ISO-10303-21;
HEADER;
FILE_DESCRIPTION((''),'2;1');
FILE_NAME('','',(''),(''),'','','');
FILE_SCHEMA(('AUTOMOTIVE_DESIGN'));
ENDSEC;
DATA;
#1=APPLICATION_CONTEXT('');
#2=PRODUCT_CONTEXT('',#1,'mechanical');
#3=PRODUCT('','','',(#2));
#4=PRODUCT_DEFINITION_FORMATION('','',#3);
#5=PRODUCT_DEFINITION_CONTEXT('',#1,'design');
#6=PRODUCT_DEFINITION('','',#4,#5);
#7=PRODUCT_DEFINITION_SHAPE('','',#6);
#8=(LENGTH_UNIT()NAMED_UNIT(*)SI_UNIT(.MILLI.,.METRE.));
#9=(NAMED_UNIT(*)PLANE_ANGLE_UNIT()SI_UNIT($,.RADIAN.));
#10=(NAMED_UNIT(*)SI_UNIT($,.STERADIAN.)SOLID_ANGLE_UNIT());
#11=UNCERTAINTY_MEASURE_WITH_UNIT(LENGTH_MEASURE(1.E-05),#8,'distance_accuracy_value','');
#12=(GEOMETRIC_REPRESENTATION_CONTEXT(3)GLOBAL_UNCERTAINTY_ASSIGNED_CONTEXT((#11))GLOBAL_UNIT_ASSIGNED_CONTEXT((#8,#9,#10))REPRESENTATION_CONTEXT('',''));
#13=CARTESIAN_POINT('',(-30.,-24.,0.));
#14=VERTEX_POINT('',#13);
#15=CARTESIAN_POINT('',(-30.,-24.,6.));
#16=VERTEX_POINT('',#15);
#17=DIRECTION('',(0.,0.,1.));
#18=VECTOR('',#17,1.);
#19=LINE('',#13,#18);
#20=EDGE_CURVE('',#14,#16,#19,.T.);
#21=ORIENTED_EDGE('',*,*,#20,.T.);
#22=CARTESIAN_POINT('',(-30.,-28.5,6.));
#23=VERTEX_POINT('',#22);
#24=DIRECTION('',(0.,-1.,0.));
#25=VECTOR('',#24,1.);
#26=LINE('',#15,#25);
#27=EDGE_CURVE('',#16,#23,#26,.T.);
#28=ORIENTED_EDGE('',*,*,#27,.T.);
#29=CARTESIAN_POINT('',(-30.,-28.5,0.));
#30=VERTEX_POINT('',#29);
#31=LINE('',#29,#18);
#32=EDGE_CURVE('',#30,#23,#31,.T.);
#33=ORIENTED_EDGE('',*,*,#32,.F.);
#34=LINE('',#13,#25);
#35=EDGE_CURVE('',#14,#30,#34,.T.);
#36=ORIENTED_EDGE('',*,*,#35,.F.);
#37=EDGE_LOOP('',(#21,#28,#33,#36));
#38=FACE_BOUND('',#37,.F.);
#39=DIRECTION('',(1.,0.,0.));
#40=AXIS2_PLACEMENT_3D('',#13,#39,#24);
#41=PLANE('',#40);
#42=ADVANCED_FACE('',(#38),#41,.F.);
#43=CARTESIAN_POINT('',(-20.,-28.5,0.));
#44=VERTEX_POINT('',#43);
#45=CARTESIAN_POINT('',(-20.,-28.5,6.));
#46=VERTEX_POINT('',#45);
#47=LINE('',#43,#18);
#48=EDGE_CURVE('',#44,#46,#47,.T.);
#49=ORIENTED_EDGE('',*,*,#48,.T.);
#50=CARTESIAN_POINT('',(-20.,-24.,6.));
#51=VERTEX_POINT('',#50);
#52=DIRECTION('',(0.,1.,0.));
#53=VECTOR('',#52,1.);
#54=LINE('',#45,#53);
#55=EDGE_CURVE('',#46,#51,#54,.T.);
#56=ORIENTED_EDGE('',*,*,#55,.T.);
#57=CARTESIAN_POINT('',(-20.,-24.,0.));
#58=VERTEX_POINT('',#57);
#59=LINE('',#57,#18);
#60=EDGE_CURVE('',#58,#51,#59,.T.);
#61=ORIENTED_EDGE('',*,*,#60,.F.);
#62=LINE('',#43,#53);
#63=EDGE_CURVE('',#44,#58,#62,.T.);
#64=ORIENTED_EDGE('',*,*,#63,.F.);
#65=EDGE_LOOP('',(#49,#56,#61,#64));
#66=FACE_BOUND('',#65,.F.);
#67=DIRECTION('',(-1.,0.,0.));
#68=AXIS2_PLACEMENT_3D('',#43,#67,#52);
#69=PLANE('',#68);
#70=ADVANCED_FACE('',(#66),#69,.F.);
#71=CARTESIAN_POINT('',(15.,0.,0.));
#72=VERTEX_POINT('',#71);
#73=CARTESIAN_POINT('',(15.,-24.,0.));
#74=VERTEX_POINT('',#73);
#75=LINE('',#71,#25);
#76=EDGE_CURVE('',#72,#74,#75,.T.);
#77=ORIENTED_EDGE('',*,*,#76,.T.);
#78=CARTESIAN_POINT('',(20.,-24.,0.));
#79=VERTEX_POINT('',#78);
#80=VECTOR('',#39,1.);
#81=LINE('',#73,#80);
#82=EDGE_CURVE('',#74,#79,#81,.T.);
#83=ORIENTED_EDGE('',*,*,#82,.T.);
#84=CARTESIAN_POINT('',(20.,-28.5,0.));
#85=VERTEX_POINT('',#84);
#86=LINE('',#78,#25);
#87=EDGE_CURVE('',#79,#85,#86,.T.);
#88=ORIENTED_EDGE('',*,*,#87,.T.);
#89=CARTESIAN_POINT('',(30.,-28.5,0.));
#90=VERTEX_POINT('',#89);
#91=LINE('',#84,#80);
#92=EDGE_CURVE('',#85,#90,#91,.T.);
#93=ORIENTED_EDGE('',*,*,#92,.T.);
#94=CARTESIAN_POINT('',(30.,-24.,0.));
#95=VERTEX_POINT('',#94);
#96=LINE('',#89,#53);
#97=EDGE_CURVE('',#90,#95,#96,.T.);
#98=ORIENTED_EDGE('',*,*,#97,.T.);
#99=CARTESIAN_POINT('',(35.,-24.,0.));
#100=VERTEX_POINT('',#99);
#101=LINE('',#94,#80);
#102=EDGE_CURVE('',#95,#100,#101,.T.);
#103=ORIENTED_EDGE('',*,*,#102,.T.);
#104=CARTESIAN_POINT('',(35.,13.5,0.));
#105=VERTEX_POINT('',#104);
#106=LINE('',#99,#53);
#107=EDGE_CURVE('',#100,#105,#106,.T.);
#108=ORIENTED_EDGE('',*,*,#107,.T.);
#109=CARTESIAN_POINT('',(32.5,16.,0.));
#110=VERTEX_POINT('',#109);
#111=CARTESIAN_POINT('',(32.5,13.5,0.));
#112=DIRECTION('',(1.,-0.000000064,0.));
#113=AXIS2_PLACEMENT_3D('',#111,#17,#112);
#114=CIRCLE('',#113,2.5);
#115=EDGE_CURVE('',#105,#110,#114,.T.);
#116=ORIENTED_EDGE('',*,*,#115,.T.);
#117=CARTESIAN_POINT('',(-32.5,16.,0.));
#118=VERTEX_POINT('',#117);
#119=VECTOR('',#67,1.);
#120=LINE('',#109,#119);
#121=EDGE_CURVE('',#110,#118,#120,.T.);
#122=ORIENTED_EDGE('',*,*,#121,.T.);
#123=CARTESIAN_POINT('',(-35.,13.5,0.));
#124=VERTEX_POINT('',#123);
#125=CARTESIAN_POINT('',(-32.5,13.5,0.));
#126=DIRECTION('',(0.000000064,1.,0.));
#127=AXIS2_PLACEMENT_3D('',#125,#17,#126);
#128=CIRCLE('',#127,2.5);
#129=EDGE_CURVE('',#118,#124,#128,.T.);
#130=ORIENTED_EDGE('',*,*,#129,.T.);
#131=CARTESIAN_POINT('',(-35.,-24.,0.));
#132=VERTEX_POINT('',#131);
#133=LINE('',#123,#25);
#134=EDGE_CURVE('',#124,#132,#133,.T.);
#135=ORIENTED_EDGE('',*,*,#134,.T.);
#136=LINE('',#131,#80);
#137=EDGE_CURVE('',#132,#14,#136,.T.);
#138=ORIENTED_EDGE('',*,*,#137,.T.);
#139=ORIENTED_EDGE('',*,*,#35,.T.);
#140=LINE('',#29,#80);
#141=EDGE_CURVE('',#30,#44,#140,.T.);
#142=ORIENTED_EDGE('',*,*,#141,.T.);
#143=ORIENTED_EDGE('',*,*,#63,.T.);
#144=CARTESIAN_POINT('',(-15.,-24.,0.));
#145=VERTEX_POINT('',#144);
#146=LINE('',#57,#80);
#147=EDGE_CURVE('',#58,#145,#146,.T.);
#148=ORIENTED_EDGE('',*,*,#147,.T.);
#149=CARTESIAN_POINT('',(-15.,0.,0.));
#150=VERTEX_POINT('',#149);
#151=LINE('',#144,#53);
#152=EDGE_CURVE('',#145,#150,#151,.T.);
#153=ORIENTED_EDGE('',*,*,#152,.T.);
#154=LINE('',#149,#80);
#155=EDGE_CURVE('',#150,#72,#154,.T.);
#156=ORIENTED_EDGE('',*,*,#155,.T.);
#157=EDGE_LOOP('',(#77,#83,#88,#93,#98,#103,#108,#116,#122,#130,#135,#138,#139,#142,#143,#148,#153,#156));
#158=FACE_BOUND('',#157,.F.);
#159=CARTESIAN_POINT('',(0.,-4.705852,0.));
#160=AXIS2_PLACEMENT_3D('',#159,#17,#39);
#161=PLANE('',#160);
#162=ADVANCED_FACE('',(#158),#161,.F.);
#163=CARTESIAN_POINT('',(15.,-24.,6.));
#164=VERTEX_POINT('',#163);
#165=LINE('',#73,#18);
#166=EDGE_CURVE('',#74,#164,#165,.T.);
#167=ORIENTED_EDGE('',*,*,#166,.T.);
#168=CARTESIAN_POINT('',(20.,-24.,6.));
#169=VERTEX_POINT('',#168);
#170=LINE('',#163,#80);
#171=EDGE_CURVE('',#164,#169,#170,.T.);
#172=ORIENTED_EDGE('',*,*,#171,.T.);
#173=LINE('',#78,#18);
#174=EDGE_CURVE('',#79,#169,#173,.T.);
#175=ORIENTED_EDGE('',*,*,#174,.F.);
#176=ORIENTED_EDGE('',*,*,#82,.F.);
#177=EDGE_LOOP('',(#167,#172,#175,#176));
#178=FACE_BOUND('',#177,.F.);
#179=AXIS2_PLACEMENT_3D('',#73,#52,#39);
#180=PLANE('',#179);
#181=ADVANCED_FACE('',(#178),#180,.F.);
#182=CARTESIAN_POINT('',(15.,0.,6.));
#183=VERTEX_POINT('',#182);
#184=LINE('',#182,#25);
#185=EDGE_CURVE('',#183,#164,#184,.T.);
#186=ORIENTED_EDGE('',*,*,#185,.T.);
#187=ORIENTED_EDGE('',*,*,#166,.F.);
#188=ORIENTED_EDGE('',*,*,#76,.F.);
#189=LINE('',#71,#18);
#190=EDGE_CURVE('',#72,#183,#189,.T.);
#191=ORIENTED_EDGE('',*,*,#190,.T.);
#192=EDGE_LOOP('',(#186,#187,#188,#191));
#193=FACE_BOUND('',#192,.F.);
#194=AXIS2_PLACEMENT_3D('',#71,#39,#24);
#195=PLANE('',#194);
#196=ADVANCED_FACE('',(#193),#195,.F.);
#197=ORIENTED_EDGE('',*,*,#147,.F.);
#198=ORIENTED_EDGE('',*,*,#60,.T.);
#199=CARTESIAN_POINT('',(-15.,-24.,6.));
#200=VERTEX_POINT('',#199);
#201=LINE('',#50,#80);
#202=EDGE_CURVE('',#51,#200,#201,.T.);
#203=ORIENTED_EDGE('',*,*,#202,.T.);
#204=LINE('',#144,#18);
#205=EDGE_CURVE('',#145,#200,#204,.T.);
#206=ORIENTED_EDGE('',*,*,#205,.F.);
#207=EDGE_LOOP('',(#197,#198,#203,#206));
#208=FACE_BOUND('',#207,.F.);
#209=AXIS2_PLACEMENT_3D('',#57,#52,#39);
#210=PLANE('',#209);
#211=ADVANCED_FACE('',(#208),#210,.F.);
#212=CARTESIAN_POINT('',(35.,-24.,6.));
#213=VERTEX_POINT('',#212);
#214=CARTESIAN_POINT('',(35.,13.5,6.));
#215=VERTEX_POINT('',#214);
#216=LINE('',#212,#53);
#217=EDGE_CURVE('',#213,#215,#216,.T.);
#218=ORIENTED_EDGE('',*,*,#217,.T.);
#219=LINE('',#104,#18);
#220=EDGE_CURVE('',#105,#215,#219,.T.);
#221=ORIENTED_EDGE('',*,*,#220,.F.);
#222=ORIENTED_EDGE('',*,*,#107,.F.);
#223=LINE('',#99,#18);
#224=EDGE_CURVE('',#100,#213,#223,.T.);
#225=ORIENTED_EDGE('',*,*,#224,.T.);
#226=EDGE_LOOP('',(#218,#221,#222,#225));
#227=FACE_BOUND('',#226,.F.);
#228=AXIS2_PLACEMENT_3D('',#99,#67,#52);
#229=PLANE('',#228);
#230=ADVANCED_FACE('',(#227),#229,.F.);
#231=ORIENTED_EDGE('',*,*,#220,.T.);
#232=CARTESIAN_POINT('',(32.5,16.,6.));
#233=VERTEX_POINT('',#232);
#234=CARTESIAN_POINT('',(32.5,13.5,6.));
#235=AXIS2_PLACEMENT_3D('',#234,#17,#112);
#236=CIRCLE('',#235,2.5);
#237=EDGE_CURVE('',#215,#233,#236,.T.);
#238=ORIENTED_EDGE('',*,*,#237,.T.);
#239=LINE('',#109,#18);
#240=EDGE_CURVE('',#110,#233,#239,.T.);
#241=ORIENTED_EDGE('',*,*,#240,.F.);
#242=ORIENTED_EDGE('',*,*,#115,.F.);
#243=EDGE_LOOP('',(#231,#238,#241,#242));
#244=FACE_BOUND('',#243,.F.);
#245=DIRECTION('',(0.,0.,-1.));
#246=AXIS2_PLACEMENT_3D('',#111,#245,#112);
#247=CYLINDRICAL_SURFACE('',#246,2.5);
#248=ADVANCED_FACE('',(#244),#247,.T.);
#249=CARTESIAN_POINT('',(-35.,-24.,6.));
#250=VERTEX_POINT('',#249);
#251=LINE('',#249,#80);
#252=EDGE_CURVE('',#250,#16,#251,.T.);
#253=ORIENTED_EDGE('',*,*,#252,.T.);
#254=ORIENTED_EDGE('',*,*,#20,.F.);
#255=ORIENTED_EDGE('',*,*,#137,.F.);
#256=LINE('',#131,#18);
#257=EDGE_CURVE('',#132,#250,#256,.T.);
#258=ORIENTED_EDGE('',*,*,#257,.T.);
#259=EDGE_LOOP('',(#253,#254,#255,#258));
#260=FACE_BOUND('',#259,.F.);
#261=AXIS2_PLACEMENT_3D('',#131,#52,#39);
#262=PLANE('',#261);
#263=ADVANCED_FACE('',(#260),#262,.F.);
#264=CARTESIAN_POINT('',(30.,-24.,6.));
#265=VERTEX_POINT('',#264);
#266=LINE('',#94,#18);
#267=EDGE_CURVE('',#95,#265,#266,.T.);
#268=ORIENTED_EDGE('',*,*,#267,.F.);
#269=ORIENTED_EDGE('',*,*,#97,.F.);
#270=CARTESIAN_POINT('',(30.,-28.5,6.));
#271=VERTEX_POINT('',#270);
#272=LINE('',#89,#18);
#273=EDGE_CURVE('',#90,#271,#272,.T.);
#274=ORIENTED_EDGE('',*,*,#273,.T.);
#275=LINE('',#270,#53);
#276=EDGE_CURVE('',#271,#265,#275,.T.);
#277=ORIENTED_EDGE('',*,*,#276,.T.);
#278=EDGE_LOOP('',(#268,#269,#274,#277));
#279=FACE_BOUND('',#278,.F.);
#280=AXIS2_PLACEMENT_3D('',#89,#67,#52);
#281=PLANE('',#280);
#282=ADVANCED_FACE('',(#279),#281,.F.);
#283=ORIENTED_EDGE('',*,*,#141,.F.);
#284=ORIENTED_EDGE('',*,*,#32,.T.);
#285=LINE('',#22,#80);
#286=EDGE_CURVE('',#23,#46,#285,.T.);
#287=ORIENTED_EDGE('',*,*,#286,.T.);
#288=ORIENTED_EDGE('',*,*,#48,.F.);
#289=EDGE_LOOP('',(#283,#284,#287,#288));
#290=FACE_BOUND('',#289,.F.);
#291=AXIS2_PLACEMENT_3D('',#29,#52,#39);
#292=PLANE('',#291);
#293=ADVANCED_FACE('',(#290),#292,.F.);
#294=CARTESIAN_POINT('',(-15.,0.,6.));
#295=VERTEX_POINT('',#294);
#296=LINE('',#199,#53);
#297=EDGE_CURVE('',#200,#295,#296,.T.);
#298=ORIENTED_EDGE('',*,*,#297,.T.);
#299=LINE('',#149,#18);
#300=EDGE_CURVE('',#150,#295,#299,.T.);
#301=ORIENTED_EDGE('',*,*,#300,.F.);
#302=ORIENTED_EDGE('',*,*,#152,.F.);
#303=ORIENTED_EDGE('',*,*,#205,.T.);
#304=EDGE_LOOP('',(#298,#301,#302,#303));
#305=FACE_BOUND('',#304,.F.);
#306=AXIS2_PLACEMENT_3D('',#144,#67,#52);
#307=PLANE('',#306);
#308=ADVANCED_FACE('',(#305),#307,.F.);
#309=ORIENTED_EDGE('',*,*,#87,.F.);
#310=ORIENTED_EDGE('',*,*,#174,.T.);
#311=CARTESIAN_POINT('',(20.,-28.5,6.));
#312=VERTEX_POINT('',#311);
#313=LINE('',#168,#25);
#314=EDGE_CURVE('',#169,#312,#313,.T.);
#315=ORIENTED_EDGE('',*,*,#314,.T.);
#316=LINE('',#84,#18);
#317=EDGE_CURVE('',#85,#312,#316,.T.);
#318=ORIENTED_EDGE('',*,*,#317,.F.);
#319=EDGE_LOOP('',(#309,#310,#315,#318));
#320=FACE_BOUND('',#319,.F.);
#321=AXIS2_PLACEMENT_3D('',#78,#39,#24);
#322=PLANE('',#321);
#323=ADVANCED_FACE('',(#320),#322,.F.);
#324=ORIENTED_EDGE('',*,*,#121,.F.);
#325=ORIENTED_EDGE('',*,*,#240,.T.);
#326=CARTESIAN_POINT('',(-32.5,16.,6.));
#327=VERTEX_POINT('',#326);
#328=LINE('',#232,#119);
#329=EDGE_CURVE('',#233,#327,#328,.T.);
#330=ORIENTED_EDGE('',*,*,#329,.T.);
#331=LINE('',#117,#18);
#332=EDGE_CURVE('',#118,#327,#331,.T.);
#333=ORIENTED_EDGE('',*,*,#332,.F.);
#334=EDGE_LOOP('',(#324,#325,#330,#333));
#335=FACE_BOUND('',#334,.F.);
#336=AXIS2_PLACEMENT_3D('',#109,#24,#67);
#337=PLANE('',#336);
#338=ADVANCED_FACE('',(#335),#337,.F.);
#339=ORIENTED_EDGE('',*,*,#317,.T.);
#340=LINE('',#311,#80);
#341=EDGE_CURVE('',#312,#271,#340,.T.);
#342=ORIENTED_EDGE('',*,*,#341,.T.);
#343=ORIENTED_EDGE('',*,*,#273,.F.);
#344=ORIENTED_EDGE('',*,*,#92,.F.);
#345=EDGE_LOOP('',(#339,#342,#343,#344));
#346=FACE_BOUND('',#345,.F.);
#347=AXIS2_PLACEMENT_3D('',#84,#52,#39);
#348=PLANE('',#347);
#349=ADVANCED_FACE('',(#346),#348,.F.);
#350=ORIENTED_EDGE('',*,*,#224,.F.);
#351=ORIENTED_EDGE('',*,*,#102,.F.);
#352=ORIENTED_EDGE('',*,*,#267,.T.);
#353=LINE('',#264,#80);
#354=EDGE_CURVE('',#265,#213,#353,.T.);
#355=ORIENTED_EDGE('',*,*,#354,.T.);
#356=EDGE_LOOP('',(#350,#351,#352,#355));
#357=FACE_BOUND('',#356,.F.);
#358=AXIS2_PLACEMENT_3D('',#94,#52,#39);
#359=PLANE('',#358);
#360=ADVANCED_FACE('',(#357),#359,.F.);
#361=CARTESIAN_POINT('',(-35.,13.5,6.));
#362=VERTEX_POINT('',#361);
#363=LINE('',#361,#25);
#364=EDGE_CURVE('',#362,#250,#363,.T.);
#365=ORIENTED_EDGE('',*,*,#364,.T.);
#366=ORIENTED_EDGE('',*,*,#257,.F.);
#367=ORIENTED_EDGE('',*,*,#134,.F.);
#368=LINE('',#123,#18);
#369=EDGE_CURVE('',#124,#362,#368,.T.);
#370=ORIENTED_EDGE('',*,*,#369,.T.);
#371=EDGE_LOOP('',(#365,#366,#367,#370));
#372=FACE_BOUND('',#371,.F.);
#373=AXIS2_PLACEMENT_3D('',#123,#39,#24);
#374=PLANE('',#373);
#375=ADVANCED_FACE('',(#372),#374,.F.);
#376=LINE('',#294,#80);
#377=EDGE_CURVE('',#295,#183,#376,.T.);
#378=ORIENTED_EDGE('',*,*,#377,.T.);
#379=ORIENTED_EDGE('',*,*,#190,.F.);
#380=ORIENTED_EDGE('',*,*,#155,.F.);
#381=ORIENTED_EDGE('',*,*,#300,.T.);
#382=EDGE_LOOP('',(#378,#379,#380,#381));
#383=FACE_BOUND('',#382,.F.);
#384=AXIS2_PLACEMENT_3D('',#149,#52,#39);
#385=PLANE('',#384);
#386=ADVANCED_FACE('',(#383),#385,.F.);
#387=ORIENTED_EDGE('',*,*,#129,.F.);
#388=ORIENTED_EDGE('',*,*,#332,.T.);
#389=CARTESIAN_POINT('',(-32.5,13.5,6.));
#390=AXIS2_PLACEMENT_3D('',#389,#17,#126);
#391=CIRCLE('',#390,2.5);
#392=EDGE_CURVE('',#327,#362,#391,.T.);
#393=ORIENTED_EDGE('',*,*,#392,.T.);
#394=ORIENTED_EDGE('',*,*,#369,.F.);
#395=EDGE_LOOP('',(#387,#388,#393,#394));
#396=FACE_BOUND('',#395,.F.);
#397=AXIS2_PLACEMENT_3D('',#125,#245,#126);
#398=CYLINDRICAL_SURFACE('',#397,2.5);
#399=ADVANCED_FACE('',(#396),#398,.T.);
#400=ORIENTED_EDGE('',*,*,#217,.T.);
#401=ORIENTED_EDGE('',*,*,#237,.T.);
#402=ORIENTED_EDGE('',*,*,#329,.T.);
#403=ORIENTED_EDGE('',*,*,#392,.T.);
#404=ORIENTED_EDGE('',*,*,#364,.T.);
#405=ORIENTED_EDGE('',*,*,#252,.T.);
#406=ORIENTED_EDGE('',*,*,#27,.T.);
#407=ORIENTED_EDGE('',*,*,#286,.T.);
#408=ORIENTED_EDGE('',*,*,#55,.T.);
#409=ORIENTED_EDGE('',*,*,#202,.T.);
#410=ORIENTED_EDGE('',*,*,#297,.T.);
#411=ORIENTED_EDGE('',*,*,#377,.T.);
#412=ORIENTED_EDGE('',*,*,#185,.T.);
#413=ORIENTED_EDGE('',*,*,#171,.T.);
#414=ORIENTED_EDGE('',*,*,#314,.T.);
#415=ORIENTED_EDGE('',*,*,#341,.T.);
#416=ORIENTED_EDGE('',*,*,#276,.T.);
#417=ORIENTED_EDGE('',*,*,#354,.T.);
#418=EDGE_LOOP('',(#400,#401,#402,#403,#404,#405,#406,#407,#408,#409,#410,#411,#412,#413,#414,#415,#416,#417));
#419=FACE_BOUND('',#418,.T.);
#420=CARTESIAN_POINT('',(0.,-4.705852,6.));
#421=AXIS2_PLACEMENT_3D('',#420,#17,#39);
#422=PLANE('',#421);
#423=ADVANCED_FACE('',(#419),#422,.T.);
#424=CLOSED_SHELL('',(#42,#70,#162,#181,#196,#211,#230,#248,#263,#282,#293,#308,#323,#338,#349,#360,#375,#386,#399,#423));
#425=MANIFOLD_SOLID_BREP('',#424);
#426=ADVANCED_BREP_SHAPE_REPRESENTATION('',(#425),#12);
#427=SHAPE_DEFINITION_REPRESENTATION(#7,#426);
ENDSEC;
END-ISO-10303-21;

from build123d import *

# Parameters (mm, degrees)
F1_DEPTH = 6


with BuildPart() as f1:
    # F0 (on Top) → F1 (new body)
    with BuildSketch(Plane.XY):
        with BuildLine():
            Line((32.5, 16), (-32.5, 16))
            ThreePointArc((-32.5, 16), (-34.267767, 15.267767), (-35, 13.5))
            Line((-35, 13.5), (-35, -24))
            Line((-35, -24), (-30, -24))
            Line((-30, -24), (-30, -28.5))
            Line((-30, -28.5), (-20, -28.5))
            Line((-20, -28.5), (-20, -24))
            Line((-20, -24), (-15, -24))
            Line((-15, -24), (-15, 0))
            Line((-15, 0), (15, 0))
            Line((15, 0), (15, -24))
            Line((15, -24), (20, -24))
            Line((20, -24), (20, -28.5))
            Line((20, -28.5), (30, -28.5))
            Line((30, -28.5), (30, -24))
            Line((30, -24), (35, -24))
            Line((35, -24), (35, 13.5))
            ThreePointArc((35, 13.5), (34.267767, 15.267767), (32.5, 16))
        make_face()
    extrude(amount=F1_DEPTH)


solid = f1.part
